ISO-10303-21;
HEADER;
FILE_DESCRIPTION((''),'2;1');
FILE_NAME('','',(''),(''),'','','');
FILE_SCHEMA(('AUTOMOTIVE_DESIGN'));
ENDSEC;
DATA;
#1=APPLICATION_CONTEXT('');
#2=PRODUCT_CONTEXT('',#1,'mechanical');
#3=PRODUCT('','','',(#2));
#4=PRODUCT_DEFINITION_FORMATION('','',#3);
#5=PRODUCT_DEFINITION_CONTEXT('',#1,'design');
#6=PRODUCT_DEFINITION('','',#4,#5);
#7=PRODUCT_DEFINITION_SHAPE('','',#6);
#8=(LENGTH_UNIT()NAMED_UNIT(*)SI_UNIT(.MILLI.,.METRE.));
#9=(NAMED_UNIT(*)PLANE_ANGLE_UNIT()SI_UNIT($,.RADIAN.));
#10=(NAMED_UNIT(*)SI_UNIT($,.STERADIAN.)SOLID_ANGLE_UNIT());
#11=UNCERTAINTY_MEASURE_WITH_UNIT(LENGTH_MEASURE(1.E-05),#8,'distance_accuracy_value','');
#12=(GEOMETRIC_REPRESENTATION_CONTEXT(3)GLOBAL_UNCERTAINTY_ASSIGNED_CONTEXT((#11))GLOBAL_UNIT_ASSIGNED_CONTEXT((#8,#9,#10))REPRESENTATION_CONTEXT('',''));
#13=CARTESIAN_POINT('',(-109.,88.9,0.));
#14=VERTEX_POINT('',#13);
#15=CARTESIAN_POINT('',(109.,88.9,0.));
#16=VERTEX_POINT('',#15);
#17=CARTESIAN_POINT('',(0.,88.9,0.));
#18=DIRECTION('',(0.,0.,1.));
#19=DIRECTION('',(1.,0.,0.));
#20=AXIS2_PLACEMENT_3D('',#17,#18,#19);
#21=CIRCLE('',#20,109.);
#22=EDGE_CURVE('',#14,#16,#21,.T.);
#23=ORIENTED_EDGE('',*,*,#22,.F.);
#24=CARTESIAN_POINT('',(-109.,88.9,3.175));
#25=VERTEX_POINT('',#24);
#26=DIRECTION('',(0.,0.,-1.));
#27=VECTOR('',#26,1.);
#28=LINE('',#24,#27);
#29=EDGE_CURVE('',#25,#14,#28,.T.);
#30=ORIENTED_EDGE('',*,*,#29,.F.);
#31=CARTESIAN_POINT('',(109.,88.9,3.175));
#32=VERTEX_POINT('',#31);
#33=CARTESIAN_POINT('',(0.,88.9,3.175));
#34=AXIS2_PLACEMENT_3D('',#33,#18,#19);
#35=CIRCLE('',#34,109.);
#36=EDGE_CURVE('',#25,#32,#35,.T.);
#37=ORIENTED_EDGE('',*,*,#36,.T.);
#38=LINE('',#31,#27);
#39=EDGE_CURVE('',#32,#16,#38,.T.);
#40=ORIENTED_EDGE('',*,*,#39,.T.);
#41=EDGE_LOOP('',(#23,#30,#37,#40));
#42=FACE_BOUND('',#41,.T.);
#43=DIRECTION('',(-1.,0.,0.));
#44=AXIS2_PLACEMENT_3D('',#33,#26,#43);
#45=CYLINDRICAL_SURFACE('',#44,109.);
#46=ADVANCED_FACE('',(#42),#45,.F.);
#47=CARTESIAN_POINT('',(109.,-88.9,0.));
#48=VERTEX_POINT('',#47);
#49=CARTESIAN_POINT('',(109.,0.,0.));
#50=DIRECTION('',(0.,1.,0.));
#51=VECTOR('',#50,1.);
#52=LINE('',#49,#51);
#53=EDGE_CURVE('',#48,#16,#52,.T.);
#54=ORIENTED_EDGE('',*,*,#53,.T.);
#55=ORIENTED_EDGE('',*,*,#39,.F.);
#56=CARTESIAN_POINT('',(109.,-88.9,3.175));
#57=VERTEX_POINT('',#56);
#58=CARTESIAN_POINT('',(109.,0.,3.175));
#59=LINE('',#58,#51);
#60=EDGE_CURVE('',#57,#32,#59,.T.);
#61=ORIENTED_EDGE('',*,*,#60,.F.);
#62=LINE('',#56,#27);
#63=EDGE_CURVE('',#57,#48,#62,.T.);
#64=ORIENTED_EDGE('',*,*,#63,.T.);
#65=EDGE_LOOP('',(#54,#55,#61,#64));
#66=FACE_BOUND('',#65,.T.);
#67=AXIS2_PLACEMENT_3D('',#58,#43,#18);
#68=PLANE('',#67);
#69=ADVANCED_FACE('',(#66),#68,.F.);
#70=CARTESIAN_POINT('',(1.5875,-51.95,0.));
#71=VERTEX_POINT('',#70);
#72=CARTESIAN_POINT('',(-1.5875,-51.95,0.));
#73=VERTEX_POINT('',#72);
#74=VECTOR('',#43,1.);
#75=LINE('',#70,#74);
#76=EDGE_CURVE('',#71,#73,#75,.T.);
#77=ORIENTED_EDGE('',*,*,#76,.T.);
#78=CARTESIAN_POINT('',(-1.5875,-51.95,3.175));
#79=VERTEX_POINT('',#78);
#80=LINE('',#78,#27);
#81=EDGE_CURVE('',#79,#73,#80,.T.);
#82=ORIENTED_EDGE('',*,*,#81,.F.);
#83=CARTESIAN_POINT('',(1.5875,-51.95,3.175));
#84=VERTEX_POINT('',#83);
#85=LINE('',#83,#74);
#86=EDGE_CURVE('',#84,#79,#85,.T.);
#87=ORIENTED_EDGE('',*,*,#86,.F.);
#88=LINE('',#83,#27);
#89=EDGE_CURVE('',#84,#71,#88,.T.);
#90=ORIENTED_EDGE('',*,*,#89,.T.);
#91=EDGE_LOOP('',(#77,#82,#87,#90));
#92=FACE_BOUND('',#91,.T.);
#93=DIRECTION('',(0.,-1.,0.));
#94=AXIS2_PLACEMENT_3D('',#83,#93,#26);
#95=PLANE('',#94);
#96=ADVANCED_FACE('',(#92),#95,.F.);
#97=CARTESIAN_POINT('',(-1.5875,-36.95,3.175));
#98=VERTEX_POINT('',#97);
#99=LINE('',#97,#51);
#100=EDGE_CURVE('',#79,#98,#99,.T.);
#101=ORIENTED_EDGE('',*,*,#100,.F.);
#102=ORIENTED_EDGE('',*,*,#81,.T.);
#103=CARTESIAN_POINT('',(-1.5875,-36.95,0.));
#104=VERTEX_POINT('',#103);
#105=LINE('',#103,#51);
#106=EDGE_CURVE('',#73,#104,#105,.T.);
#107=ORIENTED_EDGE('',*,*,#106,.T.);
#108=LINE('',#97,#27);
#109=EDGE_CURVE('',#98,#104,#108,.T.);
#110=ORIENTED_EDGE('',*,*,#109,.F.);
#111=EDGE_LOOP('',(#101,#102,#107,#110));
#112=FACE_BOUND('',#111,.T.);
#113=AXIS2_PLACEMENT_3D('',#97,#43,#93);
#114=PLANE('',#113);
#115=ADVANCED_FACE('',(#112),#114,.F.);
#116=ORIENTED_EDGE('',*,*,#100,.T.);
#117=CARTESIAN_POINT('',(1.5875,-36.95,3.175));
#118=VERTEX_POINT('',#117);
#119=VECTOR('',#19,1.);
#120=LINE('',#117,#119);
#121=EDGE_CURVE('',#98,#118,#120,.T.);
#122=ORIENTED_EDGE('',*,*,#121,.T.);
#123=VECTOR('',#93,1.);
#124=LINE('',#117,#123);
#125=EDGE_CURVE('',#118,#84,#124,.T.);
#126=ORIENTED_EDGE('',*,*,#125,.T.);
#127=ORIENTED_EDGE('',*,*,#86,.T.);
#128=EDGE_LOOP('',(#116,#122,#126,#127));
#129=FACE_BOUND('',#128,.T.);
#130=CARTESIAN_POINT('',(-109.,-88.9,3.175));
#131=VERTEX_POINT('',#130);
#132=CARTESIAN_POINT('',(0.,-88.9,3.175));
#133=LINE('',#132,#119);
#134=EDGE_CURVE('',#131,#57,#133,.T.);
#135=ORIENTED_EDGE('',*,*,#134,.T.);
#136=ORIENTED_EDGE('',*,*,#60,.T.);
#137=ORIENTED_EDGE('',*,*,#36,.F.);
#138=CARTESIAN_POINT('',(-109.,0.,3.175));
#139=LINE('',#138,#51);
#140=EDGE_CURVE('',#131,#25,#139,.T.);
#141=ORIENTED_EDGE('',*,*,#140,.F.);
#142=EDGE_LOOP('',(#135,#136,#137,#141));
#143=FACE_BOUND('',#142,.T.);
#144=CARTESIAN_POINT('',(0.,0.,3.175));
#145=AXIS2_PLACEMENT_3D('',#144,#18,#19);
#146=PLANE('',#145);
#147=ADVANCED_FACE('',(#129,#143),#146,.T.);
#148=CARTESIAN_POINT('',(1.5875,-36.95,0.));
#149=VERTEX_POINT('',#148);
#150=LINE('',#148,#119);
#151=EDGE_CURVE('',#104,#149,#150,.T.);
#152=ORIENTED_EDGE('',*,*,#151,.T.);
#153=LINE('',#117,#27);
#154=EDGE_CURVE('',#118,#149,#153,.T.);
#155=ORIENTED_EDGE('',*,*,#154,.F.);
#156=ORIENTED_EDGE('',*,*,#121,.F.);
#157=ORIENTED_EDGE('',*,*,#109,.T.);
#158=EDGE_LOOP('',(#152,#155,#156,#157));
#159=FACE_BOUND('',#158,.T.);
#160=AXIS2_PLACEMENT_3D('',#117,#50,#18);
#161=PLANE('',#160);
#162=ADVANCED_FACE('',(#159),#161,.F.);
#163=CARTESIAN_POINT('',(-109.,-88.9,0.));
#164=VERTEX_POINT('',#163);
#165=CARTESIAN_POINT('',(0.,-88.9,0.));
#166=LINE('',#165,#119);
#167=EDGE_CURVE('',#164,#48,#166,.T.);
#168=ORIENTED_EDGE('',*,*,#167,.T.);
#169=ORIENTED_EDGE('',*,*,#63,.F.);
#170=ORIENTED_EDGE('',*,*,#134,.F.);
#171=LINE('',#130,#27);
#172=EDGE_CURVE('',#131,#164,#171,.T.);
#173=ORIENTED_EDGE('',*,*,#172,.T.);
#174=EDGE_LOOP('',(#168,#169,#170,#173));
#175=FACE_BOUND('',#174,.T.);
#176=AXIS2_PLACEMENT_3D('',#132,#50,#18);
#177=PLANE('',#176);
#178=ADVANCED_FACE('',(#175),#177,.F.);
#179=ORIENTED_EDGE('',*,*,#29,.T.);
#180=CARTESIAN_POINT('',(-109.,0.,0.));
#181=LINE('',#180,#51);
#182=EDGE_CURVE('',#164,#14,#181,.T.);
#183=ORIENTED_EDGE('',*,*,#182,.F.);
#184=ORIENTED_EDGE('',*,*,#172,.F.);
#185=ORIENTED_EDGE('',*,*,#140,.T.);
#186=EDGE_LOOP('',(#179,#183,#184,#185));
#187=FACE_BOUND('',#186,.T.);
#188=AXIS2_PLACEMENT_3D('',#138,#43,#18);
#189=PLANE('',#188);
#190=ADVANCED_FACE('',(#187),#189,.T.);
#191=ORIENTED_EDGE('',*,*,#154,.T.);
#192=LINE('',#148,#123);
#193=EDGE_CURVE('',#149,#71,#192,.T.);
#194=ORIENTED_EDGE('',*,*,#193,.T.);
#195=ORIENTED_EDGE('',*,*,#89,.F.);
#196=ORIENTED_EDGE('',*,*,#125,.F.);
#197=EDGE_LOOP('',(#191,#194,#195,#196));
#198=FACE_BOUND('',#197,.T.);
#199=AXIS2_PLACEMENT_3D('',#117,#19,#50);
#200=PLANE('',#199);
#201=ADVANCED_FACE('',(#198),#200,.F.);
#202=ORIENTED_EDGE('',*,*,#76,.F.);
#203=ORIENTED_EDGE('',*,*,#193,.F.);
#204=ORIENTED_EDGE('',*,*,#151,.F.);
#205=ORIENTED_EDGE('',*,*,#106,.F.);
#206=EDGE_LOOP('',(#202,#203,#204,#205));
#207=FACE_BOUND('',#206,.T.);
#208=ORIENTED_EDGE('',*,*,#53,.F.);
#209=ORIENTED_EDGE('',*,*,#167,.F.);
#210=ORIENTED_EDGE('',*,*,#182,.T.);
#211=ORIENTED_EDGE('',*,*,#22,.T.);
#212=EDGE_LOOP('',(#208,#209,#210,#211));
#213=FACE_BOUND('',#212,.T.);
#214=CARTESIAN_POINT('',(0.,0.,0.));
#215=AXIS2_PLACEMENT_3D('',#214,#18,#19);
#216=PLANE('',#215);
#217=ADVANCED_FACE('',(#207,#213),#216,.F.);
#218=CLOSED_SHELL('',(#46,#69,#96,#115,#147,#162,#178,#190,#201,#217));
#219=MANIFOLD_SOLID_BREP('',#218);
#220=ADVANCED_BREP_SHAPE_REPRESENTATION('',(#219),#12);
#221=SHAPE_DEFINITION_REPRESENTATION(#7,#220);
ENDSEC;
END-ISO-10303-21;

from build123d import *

# Parameters (mm, degrees)
BOSS_EXTRUDE1_DEPTH = 3.175
SKETCH2_W           = 3.175
SKETCH2_H           = 15
CUT_EXTRUDE1_DEPTH  = 3.175


with BuildPart() as part:
    # Sketch1 → Boss-Extrude1 (new body)
    with BuildSketch(Plane.XY):
        with BuildLine():
            ThreePointArc((-109, 88.9), (0, -20.1), (109, 88.9))
            Line((109, 88.9), (109, -88.9))
            Line((109, -88.9), (-109, -88.9))
            Line((-109, -88.9), (-109, 88.9))
        make_face()
    extrude(amount=BOSS_EXTRUDE1_DEPTH)

    # Sketch2 → Cut-Extrude1 (cut)
    with BuildSketch(Plane(origin=(0, 0, 0), x_dir=(-1, 0, 0), z_dir=(0, 0, -1))):
        with Locations((0, -44.45)):
            Rectangle(SKETCH2_W, SKETCH2_H)
    extrude(amount=-CUT_EXTRUDE1_DEPTH, mode=Mode.SUBTRACT)


solid = part.part
